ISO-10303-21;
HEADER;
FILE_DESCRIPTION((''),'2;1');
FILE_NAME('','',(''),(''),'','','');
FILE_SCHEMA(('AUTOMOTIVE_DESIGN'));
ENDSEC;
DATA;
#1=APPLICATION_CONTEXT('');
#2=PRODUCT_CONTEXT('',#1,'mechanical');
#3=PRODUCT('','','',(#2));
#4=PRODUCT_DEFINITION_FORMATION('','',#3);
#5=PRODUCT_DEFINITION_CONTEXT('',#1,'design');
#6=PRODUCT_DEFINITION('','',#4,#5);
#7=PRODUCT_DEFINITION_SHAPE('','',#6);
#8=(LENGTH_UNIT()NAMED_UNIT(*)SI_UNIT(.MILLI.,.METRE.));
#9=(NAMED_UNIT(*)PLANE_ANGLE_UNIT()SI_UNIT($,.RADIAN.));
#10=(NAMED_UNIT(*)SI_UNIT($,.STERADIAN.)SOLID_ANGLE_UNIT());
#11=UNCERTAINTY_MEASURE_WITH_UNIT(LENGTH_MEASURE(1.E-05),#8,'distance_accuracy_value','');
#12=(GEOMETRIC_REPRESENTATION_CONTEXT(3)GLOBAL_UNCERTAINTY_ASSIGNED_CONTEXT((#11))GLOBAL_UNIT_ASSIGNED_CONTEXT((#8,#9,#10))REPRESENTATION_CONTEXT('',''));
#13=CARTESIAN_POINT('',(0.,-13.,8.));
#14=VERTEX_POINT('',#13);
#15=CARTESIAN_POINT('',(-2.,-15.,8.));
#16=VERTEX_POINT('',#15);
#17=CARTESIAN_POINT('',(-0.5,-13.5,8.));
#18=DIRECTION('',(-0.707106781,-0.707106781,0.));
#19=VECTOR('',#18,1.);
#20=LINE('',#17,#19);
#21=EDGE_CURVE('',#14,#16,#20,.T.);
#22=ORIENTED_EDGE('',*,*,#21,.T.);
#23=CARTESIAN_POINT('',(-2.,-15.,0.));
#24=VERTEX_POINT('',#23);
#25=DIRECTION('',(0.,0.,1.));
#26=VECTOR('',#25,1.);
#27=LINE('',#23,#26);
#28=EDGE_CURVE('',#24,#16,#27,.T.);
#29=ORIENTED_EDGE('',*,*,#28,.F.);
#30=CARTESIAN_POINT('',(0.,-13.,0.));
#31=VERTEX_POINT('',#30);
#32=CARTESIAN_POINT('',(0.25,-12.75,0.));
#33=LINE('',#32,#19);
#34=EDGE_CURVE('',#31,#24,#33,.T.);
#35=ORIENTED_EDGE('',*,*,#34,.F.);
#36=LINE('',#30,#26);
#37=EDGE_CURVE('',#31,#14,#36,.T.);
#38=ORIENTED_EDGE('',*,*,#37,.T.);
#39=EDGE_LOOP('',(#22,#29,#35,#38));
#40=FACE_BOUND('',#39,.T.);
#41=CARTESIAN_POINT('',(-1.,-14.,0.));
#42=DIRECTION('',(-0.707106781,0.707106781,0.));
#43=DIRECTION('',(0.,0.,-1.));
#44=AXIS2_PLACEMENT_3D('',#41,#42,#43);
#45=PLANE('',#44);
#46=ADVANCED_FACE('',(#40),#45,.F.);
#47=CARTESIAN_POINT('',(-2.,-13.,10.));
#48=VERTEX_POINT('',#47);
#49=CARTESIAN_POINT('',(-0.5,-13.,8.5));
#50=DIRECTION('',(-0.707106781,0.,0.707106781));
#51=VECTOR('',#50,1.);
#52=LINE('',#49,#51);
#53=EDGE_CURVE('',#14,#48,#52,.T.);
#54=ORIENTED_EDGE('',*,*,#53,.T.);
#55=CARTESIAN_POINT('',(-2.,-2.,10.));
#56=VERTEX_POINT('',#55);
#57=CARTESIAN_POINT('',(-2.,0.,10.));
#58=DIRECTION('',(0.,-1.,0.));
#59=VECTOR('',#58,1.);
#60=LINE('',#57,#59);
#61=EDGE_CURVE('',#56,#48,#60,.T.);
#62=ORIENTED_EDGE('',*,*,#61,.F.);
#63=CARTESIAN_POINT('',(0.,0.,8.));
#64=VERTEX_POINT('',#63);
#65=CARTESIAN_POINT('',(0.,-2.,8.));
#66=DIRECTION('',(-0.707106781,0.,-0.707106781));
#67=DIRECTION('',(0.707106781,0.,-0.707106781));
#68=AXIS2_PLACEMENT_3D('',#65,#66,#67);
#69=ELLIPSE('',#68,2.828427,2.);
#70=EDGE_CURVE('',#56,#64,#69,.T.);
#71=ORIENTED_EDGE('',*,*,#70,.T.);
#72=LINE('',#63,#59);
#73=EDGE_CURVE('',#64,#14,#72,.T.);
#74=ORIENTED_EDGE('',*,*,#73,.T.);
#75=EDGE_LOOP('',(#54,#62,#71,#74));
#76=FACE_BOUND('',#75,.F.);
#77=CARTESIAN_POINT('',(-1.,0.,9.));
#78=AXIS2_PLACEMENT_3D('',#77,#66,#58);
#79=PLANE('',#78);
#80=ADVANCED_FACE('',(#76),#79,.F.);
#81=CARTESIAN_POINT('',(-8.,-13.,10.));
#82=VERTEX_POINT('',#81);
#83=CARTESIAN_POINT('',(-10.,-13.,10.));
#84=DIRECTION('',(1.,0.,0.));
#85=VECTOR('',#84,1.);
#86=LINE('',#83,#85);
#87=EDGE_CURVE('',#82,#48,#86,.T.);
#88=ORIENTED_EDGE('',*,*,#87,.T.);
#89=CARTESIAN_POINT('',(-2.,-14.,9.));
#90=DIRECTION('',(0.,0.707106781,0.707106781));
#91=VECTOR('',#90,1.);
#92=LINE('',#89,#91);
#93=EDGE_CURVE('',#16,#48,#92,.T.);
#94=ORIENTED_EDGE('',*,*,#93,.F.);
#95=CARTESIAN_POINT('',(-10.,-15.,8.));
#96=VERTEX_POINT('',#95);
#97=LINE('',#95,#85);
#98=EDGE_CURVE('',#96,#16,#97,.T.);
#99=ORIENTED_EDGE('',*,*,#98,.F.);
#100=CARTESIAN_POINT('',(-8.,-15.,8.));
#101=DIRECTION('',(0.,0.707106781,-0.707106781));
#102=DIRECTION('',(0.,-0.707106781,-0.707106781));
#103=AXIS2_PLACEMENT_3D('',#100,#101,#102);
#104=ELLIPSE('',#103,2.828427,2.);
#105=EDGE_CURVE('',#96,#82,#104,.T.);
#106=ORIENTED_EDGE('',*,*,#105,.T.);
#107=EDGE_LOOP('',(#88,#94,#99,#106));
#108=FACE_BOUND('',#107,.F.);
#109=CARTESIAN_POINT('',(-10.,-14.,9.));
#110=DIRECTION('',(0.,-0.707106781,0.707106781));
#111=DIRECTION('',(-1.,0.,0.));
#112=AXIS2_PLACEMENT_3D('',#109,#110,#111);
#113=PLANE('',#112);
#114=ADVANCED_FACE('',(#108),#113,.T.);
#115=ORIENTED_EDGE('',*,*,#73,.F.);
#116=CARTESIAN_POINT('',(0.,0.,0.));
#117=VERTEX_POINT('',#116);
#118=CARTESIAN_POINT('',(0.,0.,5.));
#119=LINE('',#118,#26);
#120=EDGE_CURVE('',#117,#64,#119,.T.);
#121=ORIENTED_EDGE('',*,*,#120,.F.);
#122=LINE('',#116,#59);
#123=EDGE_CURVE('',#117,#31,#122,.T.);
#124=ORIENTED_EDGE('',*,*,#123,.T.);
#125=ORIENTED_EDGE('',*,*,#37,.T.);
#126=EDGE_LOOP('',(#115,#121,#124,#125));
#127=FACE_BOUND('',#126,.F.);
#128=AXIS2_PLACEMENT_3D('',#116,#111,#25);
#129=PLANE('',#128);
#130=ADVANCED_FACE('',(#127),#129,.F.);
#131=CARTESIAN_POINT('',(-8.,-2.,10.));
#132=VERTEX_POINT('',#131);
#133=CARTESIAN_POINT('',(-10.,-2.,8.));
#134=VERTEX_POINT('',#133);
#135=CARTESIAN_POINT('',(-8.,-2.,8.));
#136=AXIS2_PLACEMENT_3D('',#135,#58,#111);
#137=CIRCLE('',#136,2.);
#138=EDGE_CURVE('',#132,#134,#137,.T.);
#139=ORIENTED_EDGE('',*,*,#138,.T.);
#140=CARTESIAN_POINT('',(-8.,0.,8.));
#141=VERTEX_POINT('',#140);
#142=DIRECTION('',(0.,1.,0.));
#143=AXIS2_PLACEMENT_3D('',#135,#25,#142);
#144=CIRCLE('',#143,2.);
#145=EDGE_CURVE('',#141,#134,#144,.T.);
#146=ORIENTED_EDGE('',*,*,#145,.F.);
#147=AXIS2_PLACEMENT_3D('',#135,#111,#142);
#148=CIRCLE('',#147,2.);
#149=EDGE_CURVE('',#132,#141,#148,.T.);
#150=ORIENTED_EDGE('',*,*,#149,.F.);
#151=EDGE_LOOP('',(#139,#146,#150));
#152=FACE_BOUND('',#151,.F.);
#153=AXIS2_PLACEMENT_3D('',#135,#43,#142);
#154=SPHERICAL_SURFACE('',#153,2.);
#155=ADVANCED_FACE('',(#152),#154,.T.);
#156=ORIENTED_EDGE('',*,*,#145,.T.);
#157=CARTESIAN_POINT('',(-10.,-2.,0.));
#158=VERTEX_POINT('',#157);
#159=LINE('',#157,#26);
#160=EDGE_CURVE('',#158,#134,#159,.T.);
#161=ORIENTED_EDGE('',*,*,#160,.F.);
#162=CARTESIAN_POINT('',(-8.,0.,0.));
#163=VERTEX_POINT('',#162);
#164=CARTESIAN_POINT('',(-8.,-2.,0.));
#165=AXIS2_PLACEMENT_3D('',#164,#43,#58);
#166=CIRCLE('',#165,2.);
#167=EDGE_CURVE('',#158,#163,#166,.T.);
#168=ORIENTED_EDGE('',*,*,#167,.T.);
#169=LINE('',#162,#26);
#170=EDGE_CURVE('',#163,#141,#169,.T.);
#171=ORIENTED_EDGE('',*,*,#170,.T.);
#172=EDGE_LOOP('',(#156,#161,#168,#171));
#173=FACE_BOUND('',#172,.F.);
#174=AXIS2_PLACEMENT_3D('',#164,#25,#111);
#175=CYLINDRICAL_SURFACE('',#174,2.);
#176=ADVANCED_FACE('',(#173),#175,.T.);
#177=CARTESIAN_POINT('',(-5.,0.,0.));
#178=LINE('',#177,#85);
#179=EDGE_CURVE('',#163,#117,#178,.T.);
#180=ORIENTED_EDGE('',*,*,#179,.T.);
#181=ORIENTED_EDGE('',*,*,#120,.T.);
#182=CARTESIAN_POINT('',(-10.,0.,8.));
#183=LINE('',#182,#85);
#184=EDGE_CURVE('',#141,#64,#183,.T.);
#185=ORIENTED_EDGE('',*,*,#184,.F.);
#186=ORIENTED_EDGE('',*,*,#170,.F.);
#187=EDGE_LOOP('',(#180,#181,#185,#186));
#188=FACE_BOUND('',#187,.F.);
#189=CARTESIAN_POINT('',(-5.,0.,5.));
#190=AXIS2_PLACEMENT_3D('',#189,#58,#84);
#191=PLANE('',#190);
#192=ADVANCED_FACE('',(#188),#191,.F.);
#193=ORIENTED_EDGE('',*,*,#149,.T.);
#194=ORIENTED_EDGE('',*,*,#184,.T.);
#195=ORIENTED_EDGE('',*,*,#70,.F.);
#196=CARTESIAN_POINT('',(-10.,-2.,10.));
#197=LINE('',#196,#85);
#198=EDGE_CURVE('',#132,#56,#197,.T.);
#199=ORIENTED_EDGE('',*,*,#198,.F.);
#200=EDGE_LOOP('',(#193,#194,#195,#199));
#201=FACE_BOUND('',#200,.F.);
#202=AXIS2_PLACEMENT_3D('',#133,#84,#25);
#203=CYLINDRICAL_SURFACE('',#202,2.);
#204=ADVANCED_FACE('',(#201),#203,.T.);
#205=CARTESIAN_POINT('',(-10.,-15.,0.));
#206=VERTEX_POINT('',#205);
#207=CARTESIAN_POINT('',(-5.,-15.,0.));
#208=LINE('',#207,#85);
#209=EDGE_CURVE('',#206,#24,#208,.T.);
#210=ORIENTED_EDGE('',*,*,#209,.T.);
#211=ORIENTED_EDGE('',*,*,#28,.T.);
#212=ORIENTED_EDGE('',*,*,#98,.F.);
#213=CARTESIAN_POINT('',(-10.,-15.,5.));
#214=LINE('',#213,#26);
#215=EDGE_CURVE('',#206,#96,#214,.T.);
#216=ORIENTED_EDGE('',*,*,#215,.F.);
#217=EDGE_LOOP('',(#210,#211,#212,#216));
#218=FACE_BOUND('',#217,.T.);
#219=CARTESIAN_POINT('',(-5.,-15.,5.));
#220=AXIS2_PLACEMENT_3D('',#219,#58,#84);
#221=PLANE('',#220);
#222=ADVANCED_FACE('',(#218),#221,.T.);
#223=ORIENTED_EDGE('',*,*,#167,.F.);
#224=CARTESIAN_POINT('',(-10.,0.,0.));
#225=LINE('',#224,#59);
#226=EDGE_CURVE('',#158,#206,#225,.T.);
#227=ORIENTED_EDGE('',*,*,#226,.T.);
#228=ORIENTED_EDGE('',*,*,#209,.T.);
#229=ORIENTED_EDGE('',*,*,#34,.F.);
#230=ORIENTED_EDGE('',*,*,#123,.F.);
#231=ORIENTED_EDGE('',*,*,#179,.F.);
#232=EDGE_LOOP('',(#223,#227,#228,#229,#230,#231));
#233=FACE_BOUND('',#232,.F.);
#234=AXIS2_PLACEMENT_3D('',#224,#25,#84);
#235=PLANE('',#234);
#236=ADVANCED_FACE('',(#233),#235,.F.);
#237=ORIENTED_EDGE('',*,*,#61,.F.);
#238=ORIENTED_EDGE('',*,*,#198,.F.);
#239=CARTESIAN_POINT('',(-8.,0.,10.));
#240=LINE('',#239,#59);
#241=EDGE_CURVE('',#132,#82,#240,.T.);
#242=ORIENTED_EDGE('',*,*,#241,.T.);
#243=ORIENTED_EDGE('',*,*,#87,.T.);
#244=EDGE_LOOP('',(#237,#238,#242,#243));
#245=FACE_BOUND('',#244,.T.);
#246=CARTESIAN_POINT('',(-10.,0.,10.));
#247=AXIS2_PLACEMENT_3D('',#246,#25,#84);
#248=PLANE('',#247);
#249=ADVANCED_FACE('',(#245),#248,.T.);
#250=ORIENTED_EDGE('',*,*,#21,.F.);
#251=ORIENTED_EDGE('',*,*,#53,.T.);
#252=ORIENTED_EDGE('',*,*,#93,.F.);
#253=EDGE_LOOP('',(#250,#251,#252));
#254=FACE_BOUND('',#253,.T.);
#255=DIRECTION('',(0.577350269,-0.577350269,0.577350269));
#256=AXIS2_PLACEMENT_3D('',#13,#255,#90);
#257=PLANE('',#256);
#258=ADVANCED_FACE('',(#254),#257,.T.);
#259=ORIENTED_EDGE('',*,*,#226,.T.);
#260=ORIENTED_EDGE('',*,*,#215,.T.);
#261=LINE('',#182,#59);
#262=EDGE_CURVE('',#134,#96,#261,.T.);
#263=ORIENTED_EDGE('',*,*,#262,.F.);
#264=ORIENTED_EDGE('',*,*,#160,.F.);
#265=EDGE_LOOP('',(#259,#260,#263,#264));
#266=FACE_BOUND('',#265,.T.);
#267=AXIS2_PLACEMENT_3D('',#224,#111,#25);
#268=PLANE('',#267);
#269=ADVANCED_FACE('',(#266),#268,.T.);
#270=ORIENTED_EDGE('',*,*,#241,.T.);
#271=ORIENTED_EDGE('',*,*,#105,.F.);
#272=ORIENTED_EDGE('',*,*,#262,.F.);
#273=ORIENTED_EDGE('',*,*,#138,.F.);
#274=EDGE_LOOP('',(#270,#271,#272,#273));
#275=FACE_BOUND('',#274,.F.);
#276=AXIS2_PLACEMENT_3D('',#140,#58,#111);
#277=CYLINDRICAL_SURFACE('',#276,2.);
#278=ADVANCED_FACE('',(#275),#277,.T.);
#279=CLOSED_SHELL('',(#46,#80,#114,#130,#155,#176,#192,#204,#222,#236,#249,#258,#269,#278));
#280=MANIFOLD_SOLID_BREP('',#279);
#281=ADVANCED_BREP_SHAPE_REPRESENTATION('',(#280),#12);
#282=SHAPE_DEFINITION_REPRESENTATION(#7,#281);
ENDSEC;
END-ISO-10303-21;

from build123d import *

# Parameters (mm, degrees)
F0_W     = 10
F0_H     = 10
F1_DEPTH = 15
F2_SIZE  = 2
F3_R     = 2


with BuildPart() as f1:
    # F0 (on Front) → F1 (new body)
    with BuildSketch(Plane.XZ):
        with Locations((-5, 5)):
            Rectangle(F0_W, F0_H)
    extrude(amount=F1_DEPTH)

    # F2
    f2_edges = [f1.edges().sort_by_distance(p)[0] for p in [
        (-5, -15, 10),
        (0, -15, 5),
        (0, -7.5, 10),
    ]]
    chamfer(f2_edges, length=F2_SIZE)

    # F3
    f3_edges = [f1.edges().sort_by_distance(p)[0] for p in [
        (-10, 0, 5),
        (-6, 0, 10),
        (-10, -6.5, 10),
    ]]
    fillet(f3_edges, radius=F3_R)


solid = f1.part
